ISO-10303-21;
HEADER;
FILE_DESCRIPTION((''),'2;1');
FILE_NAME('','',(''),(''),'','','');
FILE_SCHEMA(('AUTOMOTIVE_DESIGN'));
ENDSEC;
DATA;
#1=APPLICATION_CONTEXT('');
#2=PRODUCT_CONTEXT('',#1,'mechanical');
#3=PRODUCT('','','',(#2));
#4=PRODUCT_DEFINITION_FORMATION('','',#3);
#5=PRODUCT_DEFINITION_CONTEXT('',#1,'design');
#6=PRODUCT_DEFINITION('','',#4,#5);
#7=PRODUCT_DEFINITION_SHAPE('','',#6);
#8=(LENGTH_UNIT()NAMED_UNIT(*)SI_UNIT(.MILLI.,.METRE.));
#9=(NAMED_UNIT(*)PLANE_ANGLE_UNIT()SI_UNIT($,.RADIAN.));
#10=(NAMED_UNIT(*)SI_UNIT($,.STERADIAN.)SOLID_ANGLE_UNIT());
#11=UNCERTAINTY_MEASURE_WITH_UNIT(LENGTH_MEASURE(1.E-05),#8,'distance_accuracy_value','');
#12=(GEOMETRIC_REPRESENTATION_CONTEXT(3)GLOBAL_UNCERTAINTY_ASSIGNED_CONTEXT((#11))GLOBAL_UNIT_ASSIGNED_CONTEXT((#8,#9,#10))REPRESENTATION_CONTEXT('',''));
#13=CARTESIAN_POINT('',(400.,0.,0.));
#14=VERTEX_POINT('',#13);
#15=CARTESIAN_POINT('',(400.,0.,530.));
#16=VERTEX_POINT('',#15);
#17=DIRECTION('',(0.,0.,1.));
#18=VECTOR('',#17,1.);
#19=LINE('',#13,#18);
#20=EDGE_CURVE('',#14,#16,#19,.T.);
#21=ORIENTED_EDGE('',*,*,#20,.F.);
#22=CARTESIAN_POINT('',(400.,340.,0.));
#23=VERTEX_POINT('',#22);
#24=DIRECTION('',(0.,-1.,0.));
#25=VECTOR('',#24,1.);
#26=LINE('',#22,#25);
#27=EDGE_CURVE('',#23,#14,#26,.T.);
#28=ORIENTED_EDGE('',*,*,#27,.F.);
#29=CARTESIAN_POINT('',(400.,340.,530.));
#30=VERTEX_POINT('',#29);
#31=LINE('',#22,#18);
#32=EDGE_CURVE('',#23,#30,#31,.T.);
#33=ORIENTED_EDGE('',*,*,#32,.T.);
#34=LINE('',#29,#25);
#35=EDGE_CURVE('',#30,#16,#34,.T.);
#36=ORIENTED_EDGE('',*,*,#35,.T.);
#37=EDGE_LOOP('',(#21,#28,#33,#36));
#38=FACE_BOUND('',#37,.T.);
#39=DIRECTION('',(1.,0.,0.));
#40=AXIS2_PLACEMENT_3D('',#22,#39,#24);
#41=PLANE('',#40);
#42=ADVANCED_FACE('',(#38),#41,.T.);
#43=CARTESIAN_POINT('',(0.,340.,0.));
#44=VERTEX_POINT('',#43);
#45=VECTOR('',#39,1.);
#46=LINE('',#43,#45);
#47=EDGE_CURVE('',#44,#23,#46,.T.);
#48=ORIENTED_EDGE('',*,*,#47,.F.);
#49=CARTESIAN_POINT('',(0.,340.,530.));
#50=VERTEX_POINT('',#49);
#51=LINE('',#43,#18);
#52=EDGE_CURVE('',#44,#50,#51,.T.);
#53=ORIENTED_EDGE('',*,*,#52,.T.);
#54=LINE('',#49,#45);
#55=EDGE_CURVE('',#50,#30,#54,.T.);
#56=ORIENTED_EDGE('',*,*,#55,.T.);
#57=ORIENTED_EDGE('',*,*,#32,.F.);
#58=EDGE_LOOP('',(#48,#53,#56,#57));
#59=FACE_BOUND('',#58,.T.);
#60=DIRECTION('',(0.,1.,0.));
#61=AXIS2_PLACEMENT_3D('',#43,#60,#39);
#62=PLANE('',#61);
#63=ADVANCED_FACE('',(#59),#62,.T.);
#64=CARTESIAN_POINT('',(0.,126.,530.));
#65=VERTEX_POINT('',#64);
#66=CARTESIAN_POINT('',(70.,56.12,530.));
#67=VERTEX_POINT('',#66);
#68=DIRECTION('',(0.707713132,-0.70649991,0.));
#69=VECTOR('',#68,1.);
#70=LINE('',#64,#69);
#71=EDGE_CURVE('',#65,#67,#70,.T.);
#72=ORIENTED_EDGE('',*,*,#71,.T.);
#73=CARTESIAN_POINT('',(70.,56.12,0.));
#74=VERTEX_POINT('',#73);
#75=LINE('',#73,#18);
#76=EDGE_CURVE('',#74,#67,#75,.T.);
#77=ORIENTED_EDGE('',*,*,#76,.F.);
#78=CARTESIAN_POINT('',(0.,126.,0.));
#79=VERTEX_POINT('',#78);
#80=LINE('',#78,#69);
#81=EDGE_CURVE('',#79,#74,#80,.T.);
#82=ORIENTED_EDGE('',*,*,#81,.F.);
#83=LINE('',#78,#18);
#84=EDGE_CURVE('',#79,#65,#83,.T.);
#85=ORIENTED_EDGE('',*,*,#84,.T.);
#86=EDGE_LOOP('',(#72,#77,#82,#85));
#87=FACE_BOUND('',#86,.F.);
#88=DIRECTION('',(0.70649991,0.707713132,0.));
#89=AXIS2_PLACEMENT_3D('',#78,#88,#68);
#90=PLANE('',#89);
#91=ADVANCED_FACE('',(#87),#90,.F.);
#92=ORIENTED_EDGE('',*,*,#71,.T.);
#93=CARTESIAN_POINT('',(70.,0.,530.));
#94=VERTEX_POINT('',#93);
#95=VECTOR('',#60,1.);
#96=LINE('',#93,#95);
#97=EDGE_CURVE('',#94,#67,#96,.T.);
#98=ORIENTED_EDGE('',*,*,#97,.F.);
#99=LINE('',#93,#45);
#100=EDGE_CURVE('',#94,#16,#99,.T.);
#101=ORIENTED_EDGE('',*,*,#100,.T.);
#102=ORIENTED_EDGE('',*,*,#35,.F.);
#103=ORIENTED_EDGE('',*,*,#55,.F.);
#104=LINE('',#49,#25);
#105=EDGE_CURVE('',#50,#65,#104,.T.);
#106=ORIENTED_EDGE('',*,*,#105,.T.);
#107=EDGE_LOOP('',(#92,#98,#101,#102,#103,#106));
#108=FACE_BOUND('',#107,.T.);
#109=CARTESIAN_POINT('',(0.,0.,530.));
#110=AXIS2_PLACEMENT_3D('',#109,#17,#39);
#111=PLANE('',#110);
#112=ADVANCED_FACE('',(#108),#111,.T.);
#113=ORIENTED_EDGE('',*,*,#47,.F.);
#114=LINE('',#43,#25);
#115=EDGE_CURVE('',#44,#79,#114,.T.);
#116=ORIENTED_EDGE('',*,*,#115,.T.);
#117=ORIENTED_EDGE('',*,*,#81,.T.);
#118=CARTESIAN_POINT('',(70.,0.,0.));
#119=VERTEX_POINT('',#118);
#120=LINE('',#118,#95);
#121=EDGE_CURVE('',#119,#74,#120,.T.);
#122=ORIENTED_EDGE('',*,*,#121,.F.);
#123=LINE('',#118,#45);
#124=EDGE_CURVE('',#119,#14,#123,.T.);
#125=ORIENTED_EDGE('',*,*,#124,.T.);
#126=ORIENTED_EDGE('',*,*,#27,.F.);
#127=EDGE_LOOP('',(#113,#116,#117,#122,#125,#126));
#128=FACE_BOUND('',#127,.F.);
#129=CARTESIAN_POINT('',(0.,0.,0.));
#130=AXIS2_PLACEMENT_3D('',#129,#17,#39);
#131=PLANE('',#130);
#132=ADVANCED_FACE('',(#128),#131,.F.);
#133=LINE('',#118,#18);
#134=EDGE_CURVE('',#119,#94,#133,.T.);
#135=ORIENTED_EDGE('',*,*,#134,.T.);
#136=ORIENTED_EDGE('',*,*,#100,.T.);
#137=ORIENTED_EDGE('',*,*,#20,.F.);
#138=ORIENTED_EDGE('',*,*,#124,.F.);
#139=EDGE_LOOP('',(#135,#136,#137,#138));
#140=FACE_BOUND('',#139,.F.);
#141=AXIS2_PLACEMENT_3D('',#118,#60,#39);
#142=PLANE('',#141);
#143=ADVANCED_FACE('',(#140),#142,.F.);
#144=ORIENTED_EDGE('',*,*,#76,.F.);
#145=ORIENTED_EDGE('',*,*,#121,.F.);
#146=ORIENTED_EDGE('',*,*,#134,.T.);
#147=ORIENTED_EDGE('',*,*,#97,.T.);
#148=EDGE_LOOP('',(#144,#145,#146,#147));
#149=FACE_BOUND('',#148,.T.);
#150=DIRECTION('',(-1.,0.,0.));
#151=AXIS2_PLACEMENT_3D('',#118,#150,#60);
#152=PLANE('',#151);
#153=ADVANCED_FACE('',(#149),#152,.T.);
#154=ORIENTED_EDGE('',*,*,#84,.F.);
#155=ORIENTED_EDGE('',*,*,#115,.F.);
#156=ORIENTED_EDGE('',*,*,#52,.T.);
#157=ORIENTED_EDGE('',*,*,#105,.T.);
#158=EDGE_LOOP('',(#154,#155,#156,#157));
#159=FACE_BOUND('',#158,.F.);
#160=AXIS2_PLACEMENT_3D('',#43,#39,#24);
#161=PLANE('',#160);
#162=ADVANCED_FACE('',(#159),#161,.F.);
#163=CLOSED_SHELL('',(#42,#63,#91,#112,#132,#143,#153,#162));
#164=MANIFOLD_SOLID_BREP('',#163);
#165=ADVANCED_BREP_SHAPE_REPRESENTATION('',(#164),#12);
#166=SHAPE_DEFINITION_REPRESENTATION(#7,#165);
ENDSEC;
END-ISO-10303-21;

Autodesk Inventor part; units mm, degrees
ref_plane "YZ Plane" through (0, 0, 0) normal (1, 0, 0) x (0, 1, 0)
ref_plane "XZ Plane" through (0, 0, 0) normal (0, 1, 0) x (-1, 0, 0)
ref_plane "XY Plane" through (0, 0, 0) normal (0, 0, 1) x (1, 0, 0)
sketch "Boceto1" plane through (0, 0, 0) normal (0, 0, 1) x (1, 0, 0)
  line L0 (0, 340) -> (400, 340)
  line L1 (400, 340) -> (400, 0)
  line L2 (70, 0) -> (70, 56.12)
  line L3 (0, 340) -> (0, 126)
  line L4 (0, 126) -> (70, 56.12)
  line L5 (0, 126) -> (0, 340)
  line L6 (70, 0) -> (400, 0)
  point P0 (0, 0)
  dimension "d0" = 340
  dimension "d1" = 400
  dimension "d2" = 70
  dimension "d3" = 56.12
  dimension "d4" = 214
extrude "Extrusión1" add sketch "Boceto1" along normal blind 530
properties part number "caja area de trabajo"
